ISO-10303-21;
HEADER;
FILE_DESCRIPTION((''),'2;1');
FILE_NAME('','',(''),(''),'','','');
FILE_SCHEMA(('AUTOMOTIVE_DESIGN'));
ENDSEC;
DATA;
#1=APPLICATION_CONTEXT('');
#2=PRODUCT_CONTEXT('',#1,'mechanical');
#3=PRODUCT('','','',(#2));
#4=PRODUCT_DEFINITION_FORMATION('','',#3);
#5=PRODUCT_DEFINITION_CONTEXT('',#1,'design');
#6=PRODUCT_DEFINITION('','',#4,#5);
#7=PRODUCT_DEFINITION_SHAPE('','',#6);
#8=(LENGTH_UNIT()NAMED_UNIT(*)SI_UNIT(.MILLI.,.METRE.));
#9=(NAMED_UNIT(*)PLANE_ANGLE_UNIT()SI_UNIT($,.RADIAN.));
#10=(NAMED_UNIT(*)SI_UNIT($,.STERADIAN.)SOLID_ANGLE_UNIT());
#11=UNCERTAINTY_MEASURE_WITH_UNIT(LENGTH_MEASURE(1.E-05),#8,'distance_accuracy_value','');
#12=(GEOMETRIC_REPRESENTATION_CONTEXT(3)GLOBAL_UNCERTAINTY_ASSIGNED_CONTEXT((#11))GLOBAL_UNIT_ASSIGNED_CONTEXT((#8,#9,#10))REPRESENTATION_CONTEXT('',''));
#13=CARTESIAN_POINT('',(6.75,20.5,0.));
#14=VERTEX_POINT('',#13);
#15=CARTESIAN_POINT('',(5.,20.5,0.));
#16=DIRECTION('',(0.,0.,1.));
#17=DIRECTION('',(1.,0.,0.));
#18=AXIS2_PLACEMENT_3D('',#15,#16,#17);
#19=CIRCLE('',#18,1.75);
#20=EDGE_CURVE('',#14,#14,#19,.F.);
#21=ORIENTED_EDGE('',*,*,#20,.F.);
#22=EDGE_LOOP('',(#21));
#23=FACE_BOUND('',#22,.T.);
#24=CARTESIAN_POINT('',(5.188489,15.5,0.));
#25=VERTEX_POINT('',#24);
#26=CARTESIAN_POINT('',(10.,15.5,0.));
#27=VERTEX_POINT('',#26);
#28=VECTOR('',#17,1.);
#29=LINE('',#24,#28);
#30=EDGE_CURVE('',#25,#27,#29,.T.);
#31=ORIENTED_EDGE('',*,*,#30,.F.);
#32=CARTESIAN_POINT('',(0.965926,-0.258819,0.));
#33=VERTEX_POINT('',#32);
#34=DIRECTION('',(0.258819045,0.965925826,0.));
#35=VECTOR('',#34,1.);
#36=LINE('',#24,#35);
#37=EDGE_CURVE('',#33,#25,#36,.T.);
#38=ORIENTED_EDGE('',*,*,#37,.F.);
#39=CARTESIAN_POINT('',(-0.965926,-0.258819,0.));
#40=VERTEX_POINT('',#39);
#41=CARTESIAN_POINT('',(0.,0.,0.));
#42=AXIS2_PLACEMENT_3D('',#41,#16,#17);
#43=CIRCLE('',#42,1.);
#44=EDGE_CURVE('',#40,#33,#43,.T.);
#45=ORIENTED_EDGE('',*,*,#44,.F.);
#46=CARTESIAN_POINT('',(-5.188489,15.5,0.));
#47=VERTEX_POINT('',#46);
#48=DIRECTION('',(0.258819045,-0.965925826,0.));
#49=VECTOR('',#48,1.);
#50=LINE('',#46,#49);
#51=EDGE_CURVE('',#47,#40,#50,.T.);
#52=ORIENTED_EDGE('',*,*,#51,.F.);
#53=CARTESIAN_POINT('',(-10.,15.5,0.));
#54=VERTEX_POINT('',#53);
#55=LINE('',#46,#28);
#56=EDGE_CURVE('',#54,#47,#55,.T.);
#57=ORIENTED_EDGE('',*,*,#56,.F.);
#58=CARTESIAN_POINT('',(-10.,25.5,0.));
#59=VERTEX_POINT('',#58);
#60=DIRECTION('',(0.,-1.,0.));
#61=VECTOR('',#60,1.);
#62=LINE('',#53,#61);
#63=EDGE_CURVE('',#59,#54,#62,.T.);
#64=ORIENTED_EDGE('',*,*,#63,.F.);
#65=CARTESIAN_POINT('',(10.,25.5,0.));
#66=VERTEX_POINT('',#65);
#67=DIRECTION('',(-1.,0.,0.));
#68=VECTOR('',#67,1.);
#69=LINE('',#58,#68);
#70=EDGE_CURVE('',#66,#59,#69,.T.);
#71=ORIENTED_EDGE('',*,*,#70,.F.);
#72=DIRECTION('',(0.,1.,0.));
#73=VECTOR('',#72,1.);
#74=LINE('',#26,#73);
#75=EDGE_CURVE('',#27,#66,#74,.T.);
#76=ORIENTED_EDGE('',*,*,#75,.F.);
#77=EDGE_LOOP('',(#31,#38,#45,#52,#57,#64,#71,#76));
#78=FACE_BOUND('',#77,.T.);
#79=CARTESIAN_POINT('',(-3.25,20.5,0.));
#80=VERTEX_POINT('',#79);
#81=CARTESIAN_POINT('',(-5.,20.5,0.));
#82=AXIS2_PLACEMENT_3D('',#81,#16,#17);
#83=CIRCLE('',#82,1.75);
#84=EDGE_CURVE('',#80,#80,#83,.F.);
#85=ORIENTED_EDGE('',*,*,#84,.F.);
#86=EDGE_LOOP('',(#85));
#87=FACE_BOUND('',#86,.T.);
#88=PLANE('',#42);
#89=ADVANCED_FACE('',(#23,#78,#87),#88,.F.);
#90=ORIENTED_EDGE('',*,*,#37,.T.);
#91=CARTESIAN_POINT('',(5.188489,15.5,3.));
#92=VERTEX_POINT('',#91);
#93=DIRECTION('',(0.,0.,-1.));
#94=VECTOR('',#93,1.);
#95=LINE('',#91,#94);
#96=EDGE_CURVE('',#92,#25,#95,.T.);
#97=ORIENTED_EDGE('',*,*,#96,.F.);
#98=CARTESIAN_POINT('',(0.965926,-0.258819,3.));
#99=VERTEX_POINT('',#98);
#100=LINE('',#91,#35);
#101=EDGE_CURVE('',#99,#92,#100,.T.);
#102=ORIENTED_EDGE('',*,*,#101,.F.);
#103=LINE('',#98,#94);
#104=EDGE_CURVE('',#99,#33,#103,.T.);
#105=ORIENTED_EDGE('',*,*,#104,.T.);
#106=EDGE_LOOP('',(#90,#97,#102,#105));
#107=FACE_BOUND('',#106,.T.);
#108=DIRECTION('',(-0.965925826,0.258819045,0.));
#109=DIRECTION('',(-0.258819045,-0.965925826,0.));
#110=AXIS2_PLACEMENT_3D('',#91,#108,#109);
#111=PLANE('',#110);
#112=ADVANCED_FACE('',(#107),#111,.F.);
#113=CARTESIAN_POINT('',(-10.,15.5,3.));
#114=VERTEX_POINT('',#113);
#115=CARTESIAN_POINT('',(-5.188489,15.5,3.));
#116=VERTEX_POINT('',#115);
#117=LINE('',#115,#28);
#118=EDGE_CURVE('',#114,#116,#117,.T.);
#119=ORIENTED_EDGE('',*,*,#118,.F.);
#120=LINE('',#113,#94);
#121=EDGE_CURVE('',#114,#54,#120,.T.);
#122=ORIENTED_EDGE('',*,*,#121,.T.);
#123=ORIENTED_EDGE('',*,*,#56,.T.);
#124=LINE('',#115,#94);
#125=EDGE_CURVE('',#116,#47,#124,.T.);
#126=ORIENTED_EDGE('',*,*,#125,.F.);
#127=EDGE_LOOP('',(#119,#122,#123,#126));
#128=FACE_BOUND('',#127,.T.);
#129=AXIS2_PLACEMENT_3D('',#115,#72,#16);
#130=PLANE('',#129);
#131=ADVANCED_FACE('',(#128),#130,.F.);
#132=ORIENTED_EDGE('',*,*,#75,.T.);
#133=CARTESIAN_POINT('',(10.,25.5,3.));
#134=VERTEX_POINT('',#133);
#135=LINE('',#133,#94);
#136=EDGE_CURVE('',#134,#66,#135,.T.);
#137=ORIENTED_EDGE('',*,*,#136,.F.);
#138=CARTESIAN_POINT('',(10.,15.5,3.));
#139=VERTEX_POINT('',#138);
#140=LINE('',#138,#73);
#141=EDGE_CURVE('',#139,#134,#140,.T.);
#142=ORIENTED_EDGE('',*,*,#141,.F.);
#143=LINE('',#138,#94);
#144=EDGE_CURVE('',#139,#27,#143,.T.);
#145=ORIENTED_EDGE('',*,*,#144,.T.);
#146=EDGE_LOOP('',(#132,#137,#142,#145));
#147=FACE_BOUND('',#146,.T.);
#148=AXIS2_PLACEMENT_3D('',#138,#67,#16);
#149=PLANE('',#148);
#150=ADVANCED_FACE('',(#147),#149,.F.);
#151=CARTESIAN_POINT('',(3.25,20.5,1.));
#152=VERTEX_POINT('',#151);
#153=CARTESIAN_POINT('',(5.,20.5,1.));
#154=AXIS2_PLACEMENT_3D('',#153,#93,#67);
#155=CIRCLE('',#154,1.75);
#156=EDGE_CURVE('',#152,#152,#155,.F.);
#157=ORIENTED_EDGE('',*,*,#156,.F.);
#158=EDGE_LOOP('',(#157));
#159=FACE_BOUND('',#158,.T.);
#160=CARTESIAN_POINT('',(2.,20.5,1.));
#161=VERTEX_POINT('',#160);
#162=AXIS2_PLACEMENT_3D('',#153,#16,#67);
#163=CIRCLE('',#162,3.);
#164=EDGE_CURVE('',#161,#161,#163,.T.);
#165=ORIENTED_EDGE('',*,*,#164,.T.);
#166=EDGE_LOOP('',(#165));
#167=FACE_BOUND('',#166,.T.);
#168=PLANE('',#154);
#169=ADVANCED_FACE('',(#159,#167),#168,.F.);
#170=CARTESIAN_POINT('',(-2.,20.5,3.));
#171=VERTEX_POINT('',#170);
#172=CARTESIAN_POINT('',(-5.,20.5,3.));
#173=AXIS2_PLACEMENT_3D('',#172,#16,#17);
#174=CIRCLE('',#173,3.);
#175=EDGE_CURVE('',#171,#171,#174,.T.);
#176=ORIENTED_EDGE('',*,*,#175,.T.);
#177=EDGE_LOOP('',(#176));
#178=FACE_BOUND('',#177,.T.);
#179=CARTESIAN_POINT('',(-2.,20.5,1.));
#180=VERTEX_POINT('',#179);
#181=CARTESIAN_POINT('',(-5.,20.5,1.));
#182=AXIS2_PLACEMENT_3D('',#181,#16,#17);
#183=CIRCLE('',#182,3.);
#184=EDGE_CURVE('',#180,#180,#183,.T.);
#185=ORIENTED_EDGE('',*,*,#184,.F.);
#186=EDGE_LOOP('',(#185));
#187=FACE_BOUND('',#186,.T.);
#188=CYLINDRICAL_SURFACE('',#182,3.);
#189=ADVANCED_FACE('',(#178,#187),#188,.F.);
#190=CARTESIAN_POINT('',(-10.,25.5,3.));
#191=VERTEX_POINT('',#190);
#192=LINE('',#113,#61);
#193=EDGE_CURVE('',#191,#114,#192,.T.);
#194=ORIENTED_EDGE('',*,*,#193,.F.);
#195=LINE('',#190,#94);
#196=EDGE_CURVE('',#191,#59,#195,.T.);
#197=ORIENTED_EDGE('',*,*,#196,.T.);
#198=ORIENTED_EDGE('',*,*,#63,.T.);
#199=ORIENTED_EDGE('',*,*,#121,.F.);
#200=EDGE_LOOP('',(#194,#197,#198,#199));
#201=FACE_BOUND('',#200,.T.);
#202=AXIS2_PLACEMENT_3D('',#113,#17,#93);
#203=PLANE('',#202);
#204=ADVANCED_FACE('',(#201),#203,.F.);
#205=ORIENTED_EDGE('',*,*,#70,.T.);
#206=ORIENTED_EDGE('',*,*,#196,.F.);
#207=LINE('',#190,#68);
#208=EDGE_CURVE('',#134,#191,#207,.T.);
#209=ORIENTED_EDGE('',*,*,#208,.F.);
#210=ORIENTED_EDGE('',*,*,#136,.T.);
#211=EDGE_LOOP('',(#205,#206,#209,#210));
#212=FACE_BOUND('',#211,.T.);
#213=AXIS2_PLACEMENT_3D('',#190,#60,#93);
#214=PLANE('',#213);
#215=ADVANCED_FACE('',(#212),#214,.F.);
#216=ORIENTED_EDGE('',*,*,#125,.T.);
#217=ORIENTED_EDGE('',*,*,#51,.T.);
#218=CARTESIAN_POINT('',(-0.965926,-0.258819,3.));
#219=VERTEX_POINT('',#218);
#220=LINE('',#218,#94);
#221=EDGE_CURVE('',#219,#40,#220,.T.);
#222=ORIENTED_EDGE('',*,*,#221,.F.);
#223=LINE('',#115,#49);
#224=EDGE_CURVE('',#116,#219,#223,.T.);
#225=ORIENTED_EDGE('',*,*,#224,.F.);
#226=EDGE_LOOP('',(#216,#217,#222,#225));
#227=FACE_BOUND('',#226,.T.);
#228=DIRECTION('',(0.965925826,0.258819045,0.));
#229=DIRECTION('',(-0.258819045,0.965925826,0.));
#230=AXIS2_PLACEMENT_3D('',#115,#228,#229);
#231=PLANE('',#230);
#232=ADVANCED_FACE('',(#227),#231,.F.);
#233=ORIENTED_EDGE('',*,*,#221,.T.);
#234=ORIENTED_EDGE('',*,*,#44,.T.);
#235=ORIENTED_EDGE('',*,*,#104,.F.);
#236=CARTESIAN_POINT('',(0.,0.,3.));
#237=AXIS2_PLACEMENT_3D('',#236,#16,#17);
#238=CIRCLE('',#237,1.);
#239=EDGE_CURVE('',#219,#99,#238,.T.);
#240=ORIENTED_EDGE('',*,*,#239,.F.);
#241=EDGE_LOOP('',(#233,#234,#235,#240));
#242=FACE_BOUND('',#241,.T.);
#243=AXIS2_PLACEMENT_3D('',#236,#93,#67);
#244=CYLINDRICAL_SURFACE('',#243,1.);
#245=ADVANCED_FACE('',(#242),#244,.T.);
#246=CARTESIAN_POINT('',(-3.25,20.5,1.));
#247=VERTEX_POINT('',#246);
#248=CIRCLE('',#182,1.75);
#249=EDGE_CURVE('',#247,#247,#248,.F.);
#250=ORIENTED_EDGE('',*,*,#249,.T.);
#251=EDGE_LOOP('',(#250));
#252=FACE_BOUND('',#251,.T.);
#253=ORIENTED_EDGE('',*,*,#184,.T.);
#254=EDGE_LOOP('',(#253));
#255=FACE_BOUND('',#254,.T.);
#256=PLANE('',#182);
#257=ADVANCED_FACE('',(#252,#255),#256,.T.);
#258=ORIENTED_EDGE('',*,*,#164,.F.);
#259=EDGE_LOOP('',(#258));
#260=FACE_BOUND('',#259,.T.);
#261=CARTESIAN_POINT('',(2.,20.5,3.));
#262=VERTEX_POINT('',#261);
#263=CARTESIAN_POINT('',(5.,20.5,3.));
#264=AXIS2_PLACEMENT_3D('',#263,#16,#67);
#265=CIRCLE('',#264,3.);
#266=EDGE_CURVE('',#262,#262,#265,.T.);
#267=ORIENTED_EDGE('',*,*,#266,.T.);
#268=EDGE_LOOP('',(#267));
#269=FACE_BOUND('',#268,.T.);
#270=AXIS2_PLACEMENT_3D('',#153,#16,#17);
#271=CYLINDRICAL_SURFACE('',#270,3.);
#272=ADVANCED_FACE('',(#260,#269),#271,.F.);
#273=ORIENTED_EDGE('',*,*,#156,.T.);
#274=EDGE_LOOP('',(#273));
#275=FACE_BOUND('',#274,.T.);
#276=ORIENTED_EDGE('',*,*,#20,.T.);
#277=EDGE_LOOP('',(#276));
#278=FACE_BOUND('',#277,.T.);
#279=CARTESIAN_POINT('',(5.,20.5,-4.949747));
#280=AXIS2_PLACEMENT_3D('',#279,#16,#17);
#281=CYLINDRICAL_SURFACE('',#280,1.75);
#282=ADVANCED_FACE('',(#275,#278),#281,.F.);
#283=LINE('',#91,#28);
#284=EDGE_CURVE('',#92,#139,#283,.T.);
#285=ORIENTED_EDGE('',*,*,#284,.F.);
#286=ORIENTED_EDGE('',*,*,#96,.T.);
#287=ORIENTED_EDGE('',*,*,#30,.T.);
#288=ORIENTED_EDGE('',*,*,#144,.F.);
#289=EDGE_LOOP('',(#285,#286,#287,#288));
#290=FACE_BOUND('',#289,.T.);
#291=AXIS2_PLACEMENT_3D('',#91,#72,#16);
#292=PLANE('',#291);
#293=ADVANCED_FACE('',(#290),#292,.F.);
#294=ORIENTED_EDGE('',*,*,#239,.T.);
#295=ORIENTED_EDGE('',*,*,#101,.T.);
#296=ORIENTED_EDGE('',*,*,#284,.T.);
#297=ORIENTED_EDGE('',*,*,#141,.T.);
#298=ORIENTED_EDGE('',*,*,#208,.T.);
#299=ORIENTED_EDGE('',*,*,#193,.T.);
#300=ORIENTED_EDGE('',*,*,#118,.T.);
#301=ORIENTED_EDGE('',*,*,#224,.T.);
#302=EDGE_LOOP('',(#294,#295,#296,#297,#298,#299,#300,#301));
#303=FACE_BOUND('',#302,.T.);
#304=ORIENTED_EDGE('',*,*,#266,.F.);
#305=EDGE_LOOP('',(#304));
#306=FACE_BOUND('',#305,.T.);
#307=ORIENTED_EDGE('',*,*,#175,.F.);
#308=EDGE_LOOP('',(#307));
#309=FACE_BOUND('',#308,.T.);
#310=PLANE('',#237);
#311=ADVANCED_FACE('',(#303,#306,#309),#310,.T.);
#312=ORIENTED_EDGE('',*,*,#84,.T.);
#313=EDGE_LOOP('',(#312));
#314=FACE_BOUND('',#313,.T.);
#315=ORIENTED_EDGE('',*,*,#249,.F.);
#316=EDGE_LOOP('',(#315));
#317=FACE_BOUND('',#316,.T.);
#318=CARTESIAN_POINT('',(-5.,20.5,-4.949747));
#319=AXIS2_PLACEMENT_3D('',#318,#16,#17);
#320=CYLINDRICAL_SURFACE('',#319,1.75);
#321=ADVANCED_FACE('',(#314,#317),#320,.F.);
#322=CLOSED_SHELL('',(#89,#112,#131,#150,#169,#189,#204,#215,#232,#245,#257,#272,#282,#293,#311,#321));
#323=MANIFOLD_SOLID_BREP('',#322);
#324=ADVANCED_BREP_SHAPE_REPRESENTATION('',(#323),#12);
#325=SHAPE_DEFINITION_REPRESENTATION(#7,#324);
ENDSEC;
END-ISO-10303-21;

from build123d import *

# Parameters (mm, degrees)
BOSS_EXTRUDE1_DEPTH = 3
SKETCH3_R           = 1.75
CUT_EXTRUDE1_DEPTH  = 3
SKETCH5_R           = 3
CUT_EXTRUDE2_DEPTH  = 2


with BuildPart() as part:
    # Sketch2 → Boss-Extrude1 (new body)
    with BuildSketch(Plane.XY):
        with BuildLine():
            Line((-5.188488663, 15.5), (-0.965925826, -0.258819045))
            ThreePointArc((-0.965925826, -0.258819045), (0, -1), (0.965925826, -0.258819045))
            Line((0.965925826, -0.258819045), (5.188488663, 15.5))
            Line((5.188488663, 15.5), (10, 15.5))
            Line((10, 15.5), (10, 25.5))
            Line((10, 25.5), (-10, 25.5))
            Line((-10, 25.5), (-10, 15.5))
            Line((-10, 15.5), (-5.188488663, 15.5))
        make_face()
    extrude(amount=BOSS_EXTRUDE1_DEPTH)

    # Sketch3 → Cut-Extrude1 (cut)
    with BuildSketch(Plane.XY.offset(3)):
        with Locations((-5, 20.5)):
            Circle(SKETCH3_R)
        with Locations((5, 20.5)):
            Circle(SKETCH3_R)
    extrude(amount=-CUT_EXTRUDE1_DEPTH, mode=Mode.SUBTRACT)

    # Sketch5 → Cut-Extrude2 (cut)
    with BuildSketch(Plane.XY.offset(3)):
        with Locations((-5, 20.5)):
            Circle(SKETCH5_R)
        with Locations(Location((5, 20.5, 0), (0, 0, 180))):
            Circle(SKETCH5_R)
    extrude(amount=-CUT_EXTRUDE2_DEPTH, mode=Mode.SUBTRACT)


solid = part.part
